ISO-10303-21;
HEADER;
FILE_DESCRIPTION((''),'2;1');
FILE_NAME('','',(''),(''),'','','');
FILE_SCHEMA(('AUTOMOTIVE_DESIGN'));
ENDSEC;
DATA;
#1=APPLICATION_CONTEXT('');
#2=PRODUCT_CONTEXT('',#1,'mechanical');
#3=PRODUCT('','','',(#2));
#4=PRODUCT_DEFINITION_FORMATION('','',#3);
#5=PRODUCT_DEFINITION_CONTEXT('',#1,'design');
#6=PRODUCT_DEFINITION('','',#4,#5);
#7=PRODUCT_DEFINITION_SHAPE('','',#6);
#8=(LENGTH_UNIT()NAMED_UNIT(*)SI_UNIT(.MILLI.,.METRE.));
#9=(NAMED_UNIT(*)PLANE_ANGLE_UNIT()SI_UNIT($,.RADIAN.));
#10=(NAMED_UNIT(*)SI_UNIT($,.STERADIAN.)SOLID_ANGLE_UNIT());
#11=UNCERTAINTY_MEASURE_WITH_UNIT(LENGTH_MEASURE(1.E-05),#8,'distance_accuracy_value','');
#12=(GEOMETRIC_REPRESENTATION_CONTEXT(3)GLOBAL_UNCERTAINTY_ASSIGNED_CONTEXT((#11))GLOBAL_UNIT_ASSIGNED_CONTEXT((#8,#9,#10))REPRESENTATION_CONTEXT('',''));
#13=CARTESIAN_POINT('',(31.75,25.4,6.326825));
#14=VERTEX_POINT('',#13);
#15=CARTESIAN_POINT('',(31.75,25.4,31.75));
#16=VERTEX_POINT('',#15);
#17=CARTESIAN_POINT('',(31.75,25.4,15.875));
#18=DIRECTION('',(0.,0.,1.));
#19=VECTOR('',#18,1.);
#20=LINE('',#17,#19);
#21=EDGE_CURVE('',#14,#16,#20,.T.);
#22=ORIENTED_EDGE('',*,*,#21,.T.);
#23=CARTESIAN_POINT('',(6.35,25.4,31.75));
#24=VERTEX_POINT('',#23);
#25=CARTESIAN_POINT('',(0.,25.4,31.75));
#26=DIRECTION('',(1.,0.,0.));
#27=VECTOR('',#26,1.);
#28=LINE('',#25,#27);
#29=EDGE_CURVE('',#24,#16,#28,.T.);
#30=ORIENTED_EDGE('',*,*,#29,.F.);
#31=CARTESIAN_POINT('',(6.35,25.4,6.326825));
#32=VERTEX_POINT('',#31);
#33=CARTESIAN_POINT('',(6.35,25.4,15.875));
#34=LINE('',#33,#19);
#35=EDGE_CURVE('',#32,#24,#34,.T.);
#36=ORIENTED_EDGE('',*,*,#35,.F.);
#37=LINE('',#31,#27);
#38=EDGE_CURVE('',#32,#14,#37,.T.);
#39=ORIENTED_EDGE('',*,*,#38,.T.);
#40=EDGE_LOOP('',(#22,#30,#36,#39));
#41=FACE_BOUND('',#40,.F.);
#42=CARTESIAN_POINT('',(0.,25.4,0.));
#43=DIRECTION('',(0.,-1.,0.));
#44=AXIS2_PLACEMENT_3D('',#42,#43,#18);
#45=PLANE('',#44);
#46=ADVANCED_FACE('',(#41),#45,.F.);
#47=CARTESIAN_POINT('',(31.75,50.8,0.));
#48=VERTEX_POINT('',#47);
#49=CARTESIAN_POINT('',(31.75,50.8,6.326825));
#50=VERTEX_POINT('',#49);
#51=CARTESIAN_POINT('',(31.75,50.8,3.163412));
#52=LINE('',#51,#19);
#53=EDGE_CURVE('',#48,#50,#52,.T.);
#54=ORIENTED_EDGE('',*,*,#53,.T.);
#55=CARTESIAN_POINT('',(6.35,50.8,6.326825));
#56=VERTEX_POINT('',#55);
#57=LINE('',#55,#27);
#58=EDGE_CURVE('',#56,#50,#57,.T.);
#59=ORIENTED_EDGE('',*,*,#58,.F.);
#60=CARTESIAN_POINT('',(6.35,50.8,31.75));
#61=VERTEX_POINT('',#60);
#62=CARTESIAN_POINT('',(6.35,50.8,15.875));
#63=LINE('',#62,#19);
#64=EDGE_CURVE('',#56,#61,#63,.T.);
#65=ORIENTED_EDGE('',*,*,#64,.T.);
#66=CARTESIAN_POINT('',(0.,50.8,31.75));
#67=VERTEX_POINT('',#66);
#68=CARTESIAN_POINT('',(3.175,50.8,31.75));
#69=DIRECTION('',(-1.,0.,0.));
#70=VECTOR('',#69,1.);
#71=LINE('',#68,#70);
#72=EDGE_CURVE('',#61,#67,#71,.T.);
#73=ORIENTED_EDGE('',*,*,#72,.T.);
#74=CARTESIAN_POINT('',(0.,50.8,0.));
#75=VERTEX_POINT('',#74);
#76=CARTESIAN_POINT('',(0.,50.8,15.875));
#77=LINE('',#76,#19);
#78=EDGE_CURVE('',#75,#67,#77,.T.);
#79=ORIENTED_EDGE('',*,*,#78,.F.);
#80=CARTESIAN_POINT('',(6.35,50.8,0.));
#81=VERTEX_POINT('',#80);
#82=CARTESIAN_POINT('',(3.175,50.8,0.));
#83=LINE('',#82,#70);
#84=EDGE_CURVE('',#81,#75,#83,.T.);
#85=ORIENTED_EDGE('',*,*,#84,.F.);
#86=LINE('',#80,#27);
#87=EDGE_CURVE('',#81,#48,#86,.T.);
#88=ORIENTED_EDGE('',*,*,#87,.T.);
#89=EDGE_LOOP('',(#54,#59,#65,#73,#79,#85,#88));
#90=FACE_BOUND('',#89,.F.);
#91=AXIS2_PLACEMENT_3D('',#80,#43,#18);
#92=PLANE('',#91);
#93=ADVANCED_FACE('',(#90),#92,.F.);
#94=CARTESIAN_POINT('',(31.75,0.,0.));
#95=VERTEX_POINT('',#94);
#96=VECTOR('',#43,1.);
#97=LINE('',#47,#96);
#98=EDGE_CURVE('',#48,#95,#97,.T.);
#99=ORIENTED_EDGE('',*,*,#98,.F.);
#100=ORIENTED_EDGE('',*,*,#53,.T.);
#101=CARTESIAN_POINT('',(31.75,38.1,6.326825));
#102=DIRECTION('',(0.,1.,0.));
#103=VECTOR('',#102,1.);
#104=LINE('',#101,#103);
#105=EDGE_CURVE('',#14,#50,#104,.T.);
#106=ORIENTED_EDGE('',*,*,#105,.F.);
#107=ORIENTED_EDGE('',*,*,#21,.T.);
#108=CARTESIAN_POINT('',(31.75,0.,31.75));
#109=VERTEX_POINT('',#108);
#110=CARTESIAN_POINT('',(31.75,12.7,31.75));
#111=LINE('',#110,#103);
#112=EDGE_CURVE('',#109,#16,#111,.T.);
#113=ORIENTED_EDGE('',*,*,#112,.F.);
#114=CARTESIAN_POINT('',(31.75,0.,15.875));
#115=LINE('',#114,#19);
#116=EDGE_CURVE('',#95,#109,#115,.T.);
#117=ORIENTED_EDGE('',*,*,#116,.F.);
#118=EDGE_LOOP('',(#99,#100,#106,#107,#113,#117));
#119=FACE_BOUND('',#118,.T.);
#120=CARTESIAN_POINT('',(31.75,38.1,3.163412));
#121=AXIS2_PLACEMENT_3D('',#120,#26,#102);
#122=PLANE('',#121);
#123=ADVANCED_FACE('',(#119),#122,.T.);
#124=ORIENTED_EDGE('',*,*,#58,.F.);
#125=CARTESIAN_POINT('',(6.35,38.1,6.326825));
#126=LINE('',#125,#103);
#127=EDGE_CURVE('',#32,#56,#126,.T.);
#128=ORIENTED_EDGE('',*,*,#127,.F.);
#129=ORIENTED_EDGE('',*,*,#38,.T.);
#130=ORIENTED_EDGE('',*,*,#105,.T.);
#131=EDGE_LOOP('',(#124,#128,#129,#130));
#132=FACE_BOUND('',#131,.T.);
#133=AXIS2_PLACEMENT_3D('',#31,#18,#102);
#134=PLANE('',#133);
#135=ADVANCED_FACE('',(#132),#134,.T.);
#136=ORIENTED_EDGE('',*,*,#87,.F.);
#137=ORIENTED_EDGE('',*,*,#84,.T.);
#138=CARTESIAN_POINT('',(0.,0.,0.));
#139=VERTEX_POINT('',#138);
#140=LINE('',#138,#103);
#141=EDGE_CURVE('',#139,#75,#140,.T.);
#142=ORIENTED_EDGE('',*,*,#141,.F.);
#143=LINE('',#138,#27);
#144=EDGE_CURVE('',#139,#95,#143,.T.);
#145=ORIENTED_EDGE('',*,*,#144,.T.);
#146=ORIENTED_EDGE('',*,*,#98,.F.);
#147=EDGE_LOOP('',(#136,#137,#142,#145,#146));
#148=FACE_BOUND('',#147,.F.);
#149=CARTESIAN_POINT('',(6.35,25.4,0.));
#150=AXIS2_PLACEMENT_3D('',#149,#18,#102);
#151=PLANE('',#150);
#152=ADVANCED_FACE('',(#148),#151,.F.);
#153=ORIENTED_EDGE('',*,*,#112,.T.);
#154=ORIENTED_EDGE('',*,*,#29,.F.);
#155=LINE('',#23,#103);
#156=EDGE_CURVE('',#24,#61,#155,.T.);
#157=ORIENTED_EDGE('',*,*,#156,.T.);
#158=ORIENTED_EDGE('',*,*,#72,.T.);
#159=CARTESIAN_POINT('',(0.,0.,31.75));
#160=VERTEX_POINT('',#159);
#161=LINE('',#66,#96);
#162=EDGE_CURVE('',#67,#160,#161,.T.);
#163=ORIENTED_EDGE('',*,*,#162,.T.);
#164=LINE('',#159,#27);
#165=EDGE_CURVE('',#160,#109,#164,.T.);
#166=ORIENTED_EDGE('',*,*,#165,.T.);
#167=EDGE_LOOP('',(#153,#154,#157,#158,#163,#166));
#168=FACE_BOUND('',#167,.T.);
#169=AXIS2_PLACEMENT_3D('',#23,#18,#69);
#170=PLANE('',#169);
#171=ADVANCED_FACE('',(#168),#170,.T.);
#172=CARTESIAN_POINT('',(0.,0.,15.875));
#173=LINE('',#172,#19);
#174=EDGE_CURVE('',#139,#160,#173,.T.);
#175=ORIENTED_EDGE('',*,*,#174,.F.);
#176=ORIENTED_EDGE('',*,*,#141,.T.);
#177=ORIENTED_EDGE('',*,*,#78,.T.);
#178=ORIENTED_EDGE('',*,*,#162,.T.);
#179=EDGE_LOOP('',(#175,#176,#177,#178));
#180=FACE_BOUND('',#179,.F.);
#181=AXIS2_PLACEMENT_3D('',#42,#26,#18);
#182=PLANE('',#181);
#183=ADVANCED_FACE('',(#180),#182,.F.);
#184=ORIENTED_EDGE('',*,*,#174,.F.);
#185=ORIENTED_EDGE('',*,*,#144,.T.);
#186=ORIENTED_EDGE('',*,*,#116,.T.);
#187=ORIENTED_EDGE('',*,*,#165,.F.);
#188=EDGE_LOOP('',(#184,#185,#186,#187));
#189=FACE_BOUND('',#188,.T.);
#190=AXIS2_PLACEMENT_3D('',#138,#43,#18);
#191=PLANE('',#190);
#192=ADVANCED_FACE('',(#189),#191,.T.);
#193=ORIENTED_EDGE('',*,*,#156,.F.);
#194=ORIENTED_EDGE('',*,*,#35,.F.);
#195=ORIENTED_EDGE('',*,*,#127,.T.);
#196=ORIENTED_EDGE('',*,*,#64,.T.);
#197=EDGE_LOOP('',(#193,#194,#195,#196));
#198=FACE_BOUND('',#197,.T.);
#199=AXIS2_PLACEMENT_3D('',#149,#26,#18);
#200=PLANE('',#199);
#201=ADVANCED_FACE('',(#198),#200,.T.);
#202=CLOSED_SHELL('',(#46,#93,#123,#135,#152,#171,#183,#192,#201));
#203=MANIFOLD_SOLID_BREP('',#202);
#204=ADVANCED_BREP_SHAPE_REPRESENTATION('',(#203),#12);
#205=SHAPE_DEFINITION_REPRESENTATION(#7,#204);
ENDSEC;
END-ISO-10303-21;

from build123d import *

# Parameters (mm, degrees)
F0_W     = 25.4
F0_H     = 31.75
F1_DEPTH = 31.75
F2_W     = 6.35
F2_H     = 31.75
F3_DEPTH = 25.4
F4_W     = 25.4
F4_H     = 6.3268248923
F5_DEPTH = 25.4


with BuildPart() as f1:
    # F0 (on Right) → F1 (new body)
    with BuildSketch(Plane.YZ):
        with Locations((12.7, 15.875)):
            Rectangle(F0_W, F0_H)
    extrude(amount=F1_DEPTH)

    # F2 (on face) → F3 (join)
    with BuildSketch(Plane(origin=(0, 25.4, 0), x_dir=(-1, 0, 0), z_dir=(0, 1, 0))):
        with Locations((-3.175, 15.875)):
            Rectangle(F2_W, F2_H)
    extrude(amount=F3_DEPTH)

    # F4 (on face) → F5 (join)
    with BuildSketch(Plane.YZ.offset(6.35)):
        with Locations((38.1, 3.1634124462)):
            Rectangle(F4_W, F4_H)
    extrude(amount=F5_DEPTH)


solid = f1.part
